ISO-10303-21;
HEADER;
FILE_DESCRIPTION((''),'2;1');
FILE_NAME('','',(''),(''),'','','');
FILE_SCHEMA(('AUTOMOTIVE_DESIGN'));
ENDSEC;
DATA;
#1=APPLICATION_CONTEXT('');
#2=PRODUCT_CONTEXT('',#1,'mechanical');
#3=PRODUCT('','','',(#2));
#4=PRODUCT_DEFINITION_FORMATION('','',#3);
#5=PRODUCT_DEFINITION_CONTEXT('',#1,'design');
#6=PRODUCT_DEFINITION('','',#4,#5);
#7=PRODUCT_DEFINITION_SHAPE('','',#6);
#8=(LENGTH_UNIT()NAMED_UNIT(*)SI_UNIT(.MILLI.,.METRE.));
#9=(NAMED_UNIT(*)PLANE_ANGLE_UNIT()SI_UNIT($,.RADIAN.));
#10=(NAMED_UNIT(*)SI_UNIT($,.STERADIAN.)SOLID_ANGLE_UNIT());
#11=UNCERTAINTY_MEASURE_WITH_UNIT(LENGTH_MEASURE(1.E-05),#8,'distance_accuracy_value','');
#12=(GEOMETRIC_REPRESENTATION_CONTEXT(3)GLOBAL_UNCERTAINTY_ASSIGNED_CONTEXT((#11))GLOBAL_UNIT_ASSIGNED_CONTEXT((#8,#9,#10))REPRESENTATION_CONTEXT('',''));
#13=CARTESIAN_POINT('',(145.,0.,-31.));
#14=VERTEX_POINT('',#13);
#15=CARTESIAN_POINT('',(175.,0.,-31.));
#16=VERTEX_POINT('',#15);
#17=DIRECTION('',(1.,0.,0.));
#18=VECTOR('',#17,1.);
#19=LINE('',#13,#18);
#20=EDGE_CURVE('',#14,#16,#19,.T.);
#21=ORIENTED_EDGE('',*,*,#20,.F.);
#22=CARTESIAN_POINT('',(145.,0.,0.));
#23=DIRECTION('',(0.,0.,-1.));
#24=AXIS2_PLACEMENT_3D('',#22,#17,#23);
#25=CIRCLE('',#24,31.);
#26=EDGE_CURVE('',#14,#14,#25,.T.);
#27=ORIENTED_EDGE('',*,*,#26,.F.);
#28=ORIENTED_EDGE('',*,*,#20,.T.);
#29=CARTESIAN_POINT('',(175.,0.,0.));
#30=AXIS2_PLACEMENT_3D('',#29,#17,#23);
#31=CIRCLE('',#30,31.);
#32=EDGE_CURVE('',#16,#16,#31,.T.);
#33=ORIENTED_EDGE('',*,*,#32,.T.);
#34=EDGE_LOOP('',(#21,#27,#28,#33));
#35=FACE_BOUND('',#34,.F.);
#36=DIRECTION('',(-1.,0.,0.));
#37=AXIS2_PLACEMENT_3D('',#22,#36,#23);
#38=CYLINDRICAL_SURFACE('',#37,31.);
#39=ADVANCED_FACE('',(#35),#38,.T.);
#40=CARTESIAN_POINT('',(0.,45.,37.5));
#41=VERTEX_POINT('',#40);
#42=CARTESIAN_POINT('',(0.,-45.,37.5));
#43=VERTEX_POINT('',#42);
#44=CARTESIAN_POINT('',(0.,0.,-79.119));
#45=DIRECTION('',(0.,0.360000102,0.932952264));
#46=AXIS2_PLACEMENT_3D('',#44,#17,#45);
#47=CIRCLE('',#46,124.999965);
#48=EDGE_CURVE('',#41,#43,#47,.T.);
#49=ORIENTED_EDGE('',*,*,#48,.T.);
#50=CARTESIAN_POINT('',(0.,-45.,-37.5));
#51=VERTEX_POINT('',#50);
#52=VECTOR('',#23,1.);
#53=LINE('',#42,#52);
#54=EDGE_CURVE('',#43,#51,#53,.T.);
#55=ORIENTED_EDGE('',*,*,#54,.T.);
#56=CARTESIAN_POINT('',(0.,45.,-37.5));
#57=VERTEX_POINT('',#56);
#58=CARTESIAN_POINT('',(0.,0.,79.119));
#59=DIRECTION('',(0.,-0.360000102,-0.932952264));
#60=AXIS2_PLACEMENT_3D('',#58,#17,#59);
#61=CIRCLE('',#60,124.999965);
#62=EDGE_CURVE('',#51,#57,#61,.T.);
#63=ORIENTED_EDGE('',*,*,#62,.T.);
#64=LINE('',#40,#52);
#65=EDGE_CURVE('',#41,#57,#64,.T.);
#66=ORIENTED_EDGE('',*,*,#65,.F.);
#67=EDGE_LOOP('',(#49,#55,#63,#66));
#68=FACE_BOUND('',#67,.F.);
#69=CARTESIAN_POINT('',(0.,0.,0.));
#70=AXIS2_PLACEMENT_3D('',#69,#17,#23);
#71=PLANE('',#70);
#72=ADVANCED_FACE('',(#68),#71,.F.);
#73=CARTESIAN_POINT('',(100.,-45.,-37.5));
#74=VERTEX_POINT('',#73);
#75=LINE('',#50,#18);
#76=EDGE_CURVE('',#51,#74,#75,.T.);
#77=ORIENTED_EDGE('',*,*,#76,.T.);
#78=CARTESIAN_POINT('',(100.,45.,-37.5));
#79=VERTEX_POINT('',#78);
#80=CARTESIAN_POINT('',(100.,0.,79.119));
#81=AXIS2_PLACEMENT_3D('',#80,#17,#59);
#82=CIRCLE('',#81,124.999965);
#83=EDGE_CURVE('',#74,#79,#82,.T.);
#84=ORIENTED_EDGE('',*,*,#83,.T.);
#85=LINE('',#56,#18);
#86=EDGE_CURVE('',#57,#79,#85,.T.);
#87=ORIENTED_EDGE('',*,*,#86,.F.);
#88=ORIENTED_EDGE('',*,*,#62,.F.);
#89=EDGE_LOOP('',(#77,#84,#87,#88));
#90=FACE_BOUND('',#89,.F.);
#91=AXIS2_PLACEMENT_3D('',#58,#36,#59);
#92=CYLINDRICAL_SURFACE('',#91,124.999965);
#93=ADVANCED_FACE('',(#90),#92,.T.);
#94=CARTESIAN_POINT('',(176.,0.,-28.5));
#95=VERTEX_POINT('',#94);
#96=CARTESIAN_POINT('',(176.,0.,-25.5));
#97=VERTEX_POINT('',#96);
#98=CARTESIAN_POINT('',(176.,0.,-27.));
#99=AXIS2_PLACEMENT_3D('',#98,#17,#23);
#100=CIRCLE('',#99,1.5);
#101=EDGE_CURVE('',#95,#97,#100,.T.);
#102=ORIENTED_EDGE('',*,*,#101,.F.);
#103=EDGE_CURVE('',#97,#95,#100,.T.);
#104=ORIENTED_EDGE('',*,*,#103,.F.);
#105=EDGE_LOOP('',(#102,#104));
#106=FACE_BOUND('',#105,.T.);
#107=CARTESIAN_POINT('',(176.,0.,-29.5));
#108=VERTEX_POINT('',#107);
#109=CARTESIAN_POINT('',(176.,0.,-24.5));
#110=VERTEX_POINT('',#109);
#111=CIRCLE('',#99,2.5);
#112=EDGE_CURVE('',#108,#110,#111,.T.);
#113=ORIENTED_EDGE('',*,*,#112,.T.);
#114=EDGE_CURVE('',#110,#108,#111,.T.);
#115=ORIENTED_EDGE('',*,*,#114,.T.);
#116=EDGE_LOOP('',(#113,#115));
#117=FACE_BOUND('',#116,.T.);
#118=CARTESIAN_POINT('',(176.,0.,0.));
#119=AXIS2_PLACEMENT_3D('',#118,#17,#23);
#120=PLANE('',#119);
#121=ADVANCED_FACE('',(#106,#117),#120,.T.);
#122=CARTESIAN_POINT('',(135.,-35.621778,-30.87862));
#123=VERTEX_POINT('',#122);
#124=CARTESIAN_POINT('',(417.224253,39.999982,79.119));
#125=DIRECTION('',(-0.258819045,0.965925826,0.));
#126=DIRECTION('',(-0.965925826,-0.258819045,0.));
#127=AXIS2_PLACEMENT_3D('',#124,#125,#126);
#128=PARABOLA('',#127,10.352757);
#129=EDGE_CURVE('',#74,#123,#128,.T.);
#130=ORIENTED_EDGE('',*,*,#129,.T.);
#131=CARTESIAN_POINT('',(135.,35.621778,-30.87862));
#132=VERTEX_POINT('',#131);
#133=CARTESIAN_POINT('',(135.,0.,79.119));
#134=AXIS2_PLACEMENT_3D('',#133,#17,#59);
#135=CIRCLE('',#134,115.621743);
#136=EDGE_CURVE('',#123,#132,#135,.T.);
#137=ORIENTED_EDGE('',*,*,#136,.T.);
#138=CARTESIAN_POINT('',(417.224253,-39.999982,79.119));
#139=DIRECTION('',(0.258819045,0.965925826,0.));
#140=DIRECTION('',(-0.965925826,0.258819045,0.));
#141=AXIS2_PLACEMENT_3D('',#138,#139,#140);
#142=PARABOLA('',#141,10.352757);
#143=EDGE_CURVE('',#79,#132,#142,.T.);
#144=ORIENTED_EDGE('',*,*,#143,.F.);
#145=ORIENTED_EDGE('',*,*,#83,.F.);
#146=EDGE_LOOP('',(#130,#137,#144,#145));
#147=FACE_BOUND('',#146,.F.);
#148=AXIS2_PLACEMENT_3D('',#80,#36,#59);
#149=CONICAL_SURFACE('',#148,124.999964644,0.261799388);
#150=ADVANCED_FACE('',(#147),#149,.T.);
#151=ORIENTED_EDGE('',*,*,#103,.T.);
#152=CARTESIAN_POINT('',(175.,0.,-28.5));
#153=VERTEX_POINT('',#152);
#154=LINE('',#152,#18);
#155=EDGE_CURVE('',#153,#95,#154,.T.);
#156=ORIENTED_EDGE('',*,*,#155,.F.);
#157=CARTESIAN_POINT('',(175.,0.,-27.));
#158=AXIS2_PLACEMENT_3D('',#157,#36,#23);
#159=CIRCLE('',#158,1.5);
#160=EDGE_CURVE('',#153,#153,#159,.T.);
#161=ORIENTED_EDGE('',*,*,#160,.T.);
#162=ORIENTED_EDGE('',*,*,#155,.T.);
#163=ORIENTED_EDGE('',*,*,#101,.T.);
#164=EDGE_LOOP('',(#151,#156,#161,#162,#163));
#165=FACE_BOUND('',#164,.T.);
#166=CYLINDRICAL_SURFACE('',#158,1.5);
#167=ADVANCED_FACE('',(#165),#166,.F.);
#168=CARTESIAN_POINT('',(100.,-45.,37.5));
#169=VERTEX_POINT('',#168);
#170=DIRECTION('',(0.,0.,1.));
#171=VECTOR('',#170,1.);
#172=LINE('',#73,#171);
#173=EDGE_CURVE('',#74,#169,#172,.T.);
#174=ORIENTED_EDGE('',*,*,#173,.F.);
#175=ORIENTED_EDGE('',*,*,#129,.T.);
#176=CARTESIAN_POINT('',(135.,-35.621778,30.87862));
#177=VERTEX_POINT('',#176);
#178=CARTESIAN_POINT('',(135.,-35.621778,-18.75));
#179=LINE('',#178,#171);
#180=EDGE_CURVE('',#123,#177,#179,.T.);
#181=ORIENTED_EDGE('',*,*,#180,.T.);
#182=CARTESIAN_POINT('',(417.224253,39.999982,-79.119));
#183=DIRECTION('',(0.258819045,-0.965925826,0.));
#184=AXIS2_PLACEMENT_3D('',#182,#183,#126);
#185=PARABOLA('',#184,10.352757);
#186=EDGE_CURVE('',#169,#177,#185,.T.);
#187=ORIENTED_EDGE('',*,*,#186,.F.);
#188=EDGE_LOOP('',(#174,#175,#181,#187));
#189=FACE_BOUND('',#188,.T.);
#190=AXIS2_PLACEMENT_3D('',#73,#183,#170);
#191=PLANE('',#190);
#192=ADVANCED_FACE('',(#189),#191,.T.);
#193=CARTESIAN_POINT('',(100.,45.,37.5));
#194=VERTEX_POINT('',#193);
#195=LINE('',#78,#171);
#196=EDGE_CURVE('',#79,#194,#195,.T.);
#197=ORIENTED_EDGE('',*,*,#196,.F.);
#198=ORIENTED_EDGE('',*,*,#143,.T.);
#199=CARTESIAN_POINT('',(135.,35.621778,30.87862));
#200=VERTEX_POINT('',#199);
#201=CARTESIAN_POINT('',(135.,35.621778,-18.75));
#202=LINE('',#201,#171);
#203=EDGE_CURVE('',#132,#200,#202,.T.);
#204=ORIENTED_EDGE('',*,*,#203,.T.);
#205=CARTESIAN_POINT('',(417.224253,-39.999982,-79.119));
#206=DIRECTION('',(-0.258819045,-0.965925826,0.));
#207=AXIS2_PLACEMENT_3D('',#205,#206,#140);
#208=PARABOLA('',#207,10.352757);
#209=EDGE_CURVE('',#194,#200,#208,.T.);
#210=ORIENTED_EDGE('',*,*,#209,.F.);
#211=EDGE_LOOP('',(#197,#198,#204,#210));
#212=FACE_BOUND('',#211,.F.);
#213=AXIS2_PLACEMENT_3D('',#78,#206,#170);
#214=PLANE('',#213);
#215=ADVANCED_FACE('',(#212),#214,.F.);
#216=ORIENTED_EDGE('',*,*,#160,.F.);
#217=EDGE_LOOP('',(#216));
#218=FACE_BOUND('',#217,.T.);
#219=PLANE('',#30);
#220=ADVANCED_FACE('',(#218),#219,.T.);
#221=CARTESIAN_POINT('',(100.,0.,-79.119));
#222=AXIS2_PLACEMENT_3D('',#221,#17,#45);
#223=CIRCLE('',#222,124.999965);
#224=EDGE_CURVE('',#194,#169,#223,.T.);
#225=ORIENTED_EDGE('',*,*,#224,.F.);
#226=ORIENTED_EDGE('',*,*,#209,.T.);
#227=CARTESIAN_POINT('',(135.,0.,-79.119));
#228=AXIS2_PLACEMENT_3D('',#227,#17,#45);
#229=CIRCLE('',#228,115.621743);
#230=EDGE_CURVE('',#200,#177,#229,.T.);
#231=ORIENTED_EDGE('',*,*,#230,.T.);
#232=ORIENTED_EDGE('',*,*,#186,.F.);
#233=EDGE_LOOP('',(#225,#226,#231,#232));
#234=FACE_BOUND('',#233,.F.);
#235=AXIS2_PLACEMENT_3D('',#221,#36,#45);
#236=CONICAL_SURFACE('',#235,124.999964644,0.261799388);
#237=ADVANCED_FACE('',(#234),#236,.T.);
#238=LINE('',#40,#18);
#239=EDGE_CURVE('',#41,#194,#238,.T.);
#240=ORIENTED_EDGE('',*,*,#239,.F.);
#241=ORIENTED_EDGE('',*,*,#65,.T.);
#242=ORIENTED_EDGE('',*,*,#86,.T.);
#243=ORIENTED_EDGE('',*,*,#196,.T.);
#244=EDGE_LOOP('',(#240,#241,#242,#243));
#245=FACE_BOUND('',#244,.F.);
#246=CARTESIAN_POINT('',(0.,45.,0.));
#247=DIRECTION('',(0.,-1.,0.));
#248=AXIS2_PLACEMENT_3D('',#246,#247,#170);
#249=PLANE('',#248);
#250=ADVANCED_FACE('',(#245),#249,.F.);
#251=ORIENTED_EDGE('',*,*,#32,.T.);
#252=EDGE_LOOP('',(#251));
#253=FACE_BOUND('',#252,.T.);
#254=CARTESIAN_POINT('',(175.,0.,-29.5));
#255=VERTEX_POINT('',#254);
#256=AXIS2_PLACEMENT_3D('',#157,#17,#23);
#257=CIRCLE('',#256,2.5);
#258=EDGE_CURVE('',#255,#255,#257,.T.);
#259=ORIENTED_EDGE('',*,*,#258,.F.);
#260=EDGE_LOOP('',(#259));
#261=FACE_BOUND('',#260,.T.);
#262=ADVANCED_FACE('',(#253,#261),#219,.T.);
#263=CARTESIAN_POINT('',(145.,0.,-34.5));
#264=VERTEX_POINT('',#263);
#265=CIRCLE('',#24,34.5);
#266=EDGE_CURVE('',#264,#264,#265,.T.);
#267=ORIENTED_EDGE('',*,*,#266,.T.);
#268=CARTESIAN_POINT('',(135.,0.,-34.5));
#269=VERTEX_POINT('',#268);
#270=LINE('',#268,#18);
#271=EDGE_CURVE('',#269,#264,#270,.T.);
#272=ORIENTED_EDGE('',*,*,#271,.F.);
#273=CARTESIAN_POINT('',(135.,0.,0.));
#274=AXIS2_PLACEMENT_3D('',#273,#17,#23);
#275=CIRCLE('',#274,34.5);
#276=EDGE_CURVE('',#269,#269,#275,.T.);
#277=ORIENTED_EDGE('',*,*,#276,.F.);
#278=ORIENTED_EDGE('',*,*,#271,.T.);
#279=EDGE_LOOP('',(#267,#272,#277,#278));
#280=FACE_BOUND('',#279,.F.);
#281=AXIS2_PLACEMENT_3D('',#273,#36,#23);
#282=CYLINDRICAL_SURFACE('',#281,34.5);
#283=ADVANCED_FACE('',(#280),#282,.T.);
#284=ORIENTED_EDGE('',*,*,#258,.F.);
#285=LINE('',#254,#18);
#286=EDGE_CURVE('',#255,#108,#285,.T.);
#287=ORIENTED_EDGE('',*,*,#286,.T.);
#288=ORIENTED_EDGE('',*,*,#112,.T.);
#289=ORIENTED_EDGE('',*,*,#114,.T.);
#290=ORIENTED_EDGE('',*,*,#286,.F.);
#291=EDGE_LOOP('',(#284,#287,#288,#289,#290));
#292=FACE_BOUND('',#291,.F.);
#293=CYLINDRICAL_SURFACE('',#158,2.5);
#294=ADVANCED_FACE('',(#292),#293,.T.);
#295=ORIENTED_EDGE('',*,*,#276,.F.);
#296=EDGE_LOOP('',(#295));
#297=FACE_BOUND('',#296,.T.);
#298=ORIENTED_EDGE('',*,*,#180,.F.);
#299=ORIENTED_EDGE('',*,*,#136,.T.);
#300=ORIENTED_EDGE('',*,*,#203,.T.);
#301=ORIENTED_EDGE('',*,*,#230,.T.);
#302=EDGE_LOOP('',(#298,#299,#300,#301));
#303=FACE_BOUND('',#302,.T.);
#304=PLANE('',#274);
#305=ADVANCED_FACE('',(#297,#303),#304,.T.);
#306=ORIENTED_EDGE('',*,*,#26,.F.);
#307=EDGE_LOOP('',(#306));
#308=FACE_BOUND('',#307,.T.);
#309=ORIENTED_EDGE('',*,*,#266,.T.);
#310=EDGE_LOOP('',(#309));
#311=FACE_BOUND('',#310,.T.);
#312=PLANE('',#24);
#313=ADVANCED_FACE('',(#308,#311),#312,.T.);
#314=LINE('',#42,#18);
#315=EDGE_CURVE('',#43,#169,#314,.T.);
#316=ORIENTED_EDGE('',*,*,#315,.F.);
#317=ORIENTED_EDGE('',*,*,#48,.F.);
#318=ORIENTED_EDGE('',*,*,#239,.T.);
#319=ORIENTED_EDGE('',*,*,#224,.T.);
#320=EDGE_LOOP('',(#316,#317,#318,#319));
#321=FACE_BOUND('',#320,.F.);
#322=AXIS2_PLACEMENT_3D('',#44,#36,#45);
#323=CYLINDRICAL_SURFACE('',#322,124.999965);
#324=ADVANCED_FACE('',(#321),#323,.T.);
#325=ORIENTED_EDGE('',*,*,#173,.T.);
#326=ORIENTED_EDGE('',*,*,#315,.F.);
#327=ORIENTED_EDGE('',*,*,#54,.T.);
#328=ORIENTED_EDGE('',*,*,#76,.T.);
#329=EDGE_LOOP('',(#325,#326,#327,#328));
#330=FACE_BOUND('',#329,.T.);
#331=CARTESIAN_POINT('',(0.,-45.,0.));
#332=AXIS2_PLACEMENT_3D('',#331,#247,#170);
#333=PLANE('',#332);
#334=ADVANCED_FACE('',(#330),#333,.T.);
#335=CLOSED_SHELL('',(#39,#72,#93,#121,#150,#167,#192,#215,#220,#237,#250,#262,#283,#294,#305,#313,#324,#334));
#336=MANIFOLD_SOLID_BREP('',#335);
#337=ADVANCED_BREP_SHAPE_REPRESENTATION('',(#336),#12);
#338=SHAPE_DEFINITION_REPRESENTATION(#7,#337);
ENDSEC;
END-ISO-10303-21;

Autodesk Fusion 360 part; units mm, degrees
sketch "Sketch1" plane through (0, 0, 0) normal (1, 0, 0) x (0, 0, -1)
  line L0 (0, 0) -> (0, 45)
  line L1 (0, 0) -> (0, -45)
  line L2 (0, 45) -> (37.5, 45)
  line L3 (0, 45) -> (-37.5, 45)
  line L4 (0, -45) -> (37.5, -45)
  line L5 (0, -45) -> (-37.5, -45)
  arc A0 (-37.5, 45) -> (-37.5, -45) centre (79.119, 0) ccw
  arc A1 (37.5, -45) -> (37.5, 45) centre (-79.119, 0) ccw
  dimension "d1" = 45
  dimension "d2" = 45
  dimension "d3" = 37.5
  dimension "d4" = 37.5
  dimension "d5" = 37.5
  dimension "d6" = 37.5
  dimension "d8" = 125
extrude "Extrude1" add sketch "Sketch1" along normal blind 100
extrude "Extrude2" add 1 faces at (100, -15.2642, -14.2806) along direction (1, 0, 0) blind 35 draft -15
sketch "Sketch2" plane through (135, 0, 0) normal (1, 0, 0) x (0, 0, -1)
  line L0 (-30.8786, -35.6218) -> (30.8786, -35.6218)
  arc A0 (30.8786, -35.6218) -> (30.8786, 35.6218) centre (-79.119, 0) ccw
  line L1 (30.8786, 35.6218) -> (-30.8786, 35.6218)
  arc A1 (-30.8786, 35.6218) -> (-30.8786, -35.6218) centre (79.119, 0) ccw
  circle A2 centre (0, 0) radius 34.5
  dimension "d13" = 69
extrude "Extrude3" add sketch "Sketch2" along normal blind 10 contours A2
sketch "Sketch3" plane through (145, 0, 0) normal (1, 0, 0) x (0, 0, -1)
  circle A0 centre (0, 0) radius 34.5
  circle A1 centre (0, 0) radius 31
  dimension "d16" = 62
extrude "Extrude4" add sketch "Sketch3" along normal blind 30 contours A1
sketch "Sketch4" plane through (175, 0, 0) normal (1, 0, 0) x (0, 0, -1)
  circle A0 centre (0, 0) radius 31
  line L0 (0, 0) -> (27, 0)
  circle A1 centre (27, 0) radius 2.5
  circle A2 centre (27, 0) radius 1.5
  dimension "d19" = 27
  dimension "d20" = 5
  dimension "d21" = -1
extrude "Extrude5" add sketch "Sketch4" along normal blind 1 contours A1
